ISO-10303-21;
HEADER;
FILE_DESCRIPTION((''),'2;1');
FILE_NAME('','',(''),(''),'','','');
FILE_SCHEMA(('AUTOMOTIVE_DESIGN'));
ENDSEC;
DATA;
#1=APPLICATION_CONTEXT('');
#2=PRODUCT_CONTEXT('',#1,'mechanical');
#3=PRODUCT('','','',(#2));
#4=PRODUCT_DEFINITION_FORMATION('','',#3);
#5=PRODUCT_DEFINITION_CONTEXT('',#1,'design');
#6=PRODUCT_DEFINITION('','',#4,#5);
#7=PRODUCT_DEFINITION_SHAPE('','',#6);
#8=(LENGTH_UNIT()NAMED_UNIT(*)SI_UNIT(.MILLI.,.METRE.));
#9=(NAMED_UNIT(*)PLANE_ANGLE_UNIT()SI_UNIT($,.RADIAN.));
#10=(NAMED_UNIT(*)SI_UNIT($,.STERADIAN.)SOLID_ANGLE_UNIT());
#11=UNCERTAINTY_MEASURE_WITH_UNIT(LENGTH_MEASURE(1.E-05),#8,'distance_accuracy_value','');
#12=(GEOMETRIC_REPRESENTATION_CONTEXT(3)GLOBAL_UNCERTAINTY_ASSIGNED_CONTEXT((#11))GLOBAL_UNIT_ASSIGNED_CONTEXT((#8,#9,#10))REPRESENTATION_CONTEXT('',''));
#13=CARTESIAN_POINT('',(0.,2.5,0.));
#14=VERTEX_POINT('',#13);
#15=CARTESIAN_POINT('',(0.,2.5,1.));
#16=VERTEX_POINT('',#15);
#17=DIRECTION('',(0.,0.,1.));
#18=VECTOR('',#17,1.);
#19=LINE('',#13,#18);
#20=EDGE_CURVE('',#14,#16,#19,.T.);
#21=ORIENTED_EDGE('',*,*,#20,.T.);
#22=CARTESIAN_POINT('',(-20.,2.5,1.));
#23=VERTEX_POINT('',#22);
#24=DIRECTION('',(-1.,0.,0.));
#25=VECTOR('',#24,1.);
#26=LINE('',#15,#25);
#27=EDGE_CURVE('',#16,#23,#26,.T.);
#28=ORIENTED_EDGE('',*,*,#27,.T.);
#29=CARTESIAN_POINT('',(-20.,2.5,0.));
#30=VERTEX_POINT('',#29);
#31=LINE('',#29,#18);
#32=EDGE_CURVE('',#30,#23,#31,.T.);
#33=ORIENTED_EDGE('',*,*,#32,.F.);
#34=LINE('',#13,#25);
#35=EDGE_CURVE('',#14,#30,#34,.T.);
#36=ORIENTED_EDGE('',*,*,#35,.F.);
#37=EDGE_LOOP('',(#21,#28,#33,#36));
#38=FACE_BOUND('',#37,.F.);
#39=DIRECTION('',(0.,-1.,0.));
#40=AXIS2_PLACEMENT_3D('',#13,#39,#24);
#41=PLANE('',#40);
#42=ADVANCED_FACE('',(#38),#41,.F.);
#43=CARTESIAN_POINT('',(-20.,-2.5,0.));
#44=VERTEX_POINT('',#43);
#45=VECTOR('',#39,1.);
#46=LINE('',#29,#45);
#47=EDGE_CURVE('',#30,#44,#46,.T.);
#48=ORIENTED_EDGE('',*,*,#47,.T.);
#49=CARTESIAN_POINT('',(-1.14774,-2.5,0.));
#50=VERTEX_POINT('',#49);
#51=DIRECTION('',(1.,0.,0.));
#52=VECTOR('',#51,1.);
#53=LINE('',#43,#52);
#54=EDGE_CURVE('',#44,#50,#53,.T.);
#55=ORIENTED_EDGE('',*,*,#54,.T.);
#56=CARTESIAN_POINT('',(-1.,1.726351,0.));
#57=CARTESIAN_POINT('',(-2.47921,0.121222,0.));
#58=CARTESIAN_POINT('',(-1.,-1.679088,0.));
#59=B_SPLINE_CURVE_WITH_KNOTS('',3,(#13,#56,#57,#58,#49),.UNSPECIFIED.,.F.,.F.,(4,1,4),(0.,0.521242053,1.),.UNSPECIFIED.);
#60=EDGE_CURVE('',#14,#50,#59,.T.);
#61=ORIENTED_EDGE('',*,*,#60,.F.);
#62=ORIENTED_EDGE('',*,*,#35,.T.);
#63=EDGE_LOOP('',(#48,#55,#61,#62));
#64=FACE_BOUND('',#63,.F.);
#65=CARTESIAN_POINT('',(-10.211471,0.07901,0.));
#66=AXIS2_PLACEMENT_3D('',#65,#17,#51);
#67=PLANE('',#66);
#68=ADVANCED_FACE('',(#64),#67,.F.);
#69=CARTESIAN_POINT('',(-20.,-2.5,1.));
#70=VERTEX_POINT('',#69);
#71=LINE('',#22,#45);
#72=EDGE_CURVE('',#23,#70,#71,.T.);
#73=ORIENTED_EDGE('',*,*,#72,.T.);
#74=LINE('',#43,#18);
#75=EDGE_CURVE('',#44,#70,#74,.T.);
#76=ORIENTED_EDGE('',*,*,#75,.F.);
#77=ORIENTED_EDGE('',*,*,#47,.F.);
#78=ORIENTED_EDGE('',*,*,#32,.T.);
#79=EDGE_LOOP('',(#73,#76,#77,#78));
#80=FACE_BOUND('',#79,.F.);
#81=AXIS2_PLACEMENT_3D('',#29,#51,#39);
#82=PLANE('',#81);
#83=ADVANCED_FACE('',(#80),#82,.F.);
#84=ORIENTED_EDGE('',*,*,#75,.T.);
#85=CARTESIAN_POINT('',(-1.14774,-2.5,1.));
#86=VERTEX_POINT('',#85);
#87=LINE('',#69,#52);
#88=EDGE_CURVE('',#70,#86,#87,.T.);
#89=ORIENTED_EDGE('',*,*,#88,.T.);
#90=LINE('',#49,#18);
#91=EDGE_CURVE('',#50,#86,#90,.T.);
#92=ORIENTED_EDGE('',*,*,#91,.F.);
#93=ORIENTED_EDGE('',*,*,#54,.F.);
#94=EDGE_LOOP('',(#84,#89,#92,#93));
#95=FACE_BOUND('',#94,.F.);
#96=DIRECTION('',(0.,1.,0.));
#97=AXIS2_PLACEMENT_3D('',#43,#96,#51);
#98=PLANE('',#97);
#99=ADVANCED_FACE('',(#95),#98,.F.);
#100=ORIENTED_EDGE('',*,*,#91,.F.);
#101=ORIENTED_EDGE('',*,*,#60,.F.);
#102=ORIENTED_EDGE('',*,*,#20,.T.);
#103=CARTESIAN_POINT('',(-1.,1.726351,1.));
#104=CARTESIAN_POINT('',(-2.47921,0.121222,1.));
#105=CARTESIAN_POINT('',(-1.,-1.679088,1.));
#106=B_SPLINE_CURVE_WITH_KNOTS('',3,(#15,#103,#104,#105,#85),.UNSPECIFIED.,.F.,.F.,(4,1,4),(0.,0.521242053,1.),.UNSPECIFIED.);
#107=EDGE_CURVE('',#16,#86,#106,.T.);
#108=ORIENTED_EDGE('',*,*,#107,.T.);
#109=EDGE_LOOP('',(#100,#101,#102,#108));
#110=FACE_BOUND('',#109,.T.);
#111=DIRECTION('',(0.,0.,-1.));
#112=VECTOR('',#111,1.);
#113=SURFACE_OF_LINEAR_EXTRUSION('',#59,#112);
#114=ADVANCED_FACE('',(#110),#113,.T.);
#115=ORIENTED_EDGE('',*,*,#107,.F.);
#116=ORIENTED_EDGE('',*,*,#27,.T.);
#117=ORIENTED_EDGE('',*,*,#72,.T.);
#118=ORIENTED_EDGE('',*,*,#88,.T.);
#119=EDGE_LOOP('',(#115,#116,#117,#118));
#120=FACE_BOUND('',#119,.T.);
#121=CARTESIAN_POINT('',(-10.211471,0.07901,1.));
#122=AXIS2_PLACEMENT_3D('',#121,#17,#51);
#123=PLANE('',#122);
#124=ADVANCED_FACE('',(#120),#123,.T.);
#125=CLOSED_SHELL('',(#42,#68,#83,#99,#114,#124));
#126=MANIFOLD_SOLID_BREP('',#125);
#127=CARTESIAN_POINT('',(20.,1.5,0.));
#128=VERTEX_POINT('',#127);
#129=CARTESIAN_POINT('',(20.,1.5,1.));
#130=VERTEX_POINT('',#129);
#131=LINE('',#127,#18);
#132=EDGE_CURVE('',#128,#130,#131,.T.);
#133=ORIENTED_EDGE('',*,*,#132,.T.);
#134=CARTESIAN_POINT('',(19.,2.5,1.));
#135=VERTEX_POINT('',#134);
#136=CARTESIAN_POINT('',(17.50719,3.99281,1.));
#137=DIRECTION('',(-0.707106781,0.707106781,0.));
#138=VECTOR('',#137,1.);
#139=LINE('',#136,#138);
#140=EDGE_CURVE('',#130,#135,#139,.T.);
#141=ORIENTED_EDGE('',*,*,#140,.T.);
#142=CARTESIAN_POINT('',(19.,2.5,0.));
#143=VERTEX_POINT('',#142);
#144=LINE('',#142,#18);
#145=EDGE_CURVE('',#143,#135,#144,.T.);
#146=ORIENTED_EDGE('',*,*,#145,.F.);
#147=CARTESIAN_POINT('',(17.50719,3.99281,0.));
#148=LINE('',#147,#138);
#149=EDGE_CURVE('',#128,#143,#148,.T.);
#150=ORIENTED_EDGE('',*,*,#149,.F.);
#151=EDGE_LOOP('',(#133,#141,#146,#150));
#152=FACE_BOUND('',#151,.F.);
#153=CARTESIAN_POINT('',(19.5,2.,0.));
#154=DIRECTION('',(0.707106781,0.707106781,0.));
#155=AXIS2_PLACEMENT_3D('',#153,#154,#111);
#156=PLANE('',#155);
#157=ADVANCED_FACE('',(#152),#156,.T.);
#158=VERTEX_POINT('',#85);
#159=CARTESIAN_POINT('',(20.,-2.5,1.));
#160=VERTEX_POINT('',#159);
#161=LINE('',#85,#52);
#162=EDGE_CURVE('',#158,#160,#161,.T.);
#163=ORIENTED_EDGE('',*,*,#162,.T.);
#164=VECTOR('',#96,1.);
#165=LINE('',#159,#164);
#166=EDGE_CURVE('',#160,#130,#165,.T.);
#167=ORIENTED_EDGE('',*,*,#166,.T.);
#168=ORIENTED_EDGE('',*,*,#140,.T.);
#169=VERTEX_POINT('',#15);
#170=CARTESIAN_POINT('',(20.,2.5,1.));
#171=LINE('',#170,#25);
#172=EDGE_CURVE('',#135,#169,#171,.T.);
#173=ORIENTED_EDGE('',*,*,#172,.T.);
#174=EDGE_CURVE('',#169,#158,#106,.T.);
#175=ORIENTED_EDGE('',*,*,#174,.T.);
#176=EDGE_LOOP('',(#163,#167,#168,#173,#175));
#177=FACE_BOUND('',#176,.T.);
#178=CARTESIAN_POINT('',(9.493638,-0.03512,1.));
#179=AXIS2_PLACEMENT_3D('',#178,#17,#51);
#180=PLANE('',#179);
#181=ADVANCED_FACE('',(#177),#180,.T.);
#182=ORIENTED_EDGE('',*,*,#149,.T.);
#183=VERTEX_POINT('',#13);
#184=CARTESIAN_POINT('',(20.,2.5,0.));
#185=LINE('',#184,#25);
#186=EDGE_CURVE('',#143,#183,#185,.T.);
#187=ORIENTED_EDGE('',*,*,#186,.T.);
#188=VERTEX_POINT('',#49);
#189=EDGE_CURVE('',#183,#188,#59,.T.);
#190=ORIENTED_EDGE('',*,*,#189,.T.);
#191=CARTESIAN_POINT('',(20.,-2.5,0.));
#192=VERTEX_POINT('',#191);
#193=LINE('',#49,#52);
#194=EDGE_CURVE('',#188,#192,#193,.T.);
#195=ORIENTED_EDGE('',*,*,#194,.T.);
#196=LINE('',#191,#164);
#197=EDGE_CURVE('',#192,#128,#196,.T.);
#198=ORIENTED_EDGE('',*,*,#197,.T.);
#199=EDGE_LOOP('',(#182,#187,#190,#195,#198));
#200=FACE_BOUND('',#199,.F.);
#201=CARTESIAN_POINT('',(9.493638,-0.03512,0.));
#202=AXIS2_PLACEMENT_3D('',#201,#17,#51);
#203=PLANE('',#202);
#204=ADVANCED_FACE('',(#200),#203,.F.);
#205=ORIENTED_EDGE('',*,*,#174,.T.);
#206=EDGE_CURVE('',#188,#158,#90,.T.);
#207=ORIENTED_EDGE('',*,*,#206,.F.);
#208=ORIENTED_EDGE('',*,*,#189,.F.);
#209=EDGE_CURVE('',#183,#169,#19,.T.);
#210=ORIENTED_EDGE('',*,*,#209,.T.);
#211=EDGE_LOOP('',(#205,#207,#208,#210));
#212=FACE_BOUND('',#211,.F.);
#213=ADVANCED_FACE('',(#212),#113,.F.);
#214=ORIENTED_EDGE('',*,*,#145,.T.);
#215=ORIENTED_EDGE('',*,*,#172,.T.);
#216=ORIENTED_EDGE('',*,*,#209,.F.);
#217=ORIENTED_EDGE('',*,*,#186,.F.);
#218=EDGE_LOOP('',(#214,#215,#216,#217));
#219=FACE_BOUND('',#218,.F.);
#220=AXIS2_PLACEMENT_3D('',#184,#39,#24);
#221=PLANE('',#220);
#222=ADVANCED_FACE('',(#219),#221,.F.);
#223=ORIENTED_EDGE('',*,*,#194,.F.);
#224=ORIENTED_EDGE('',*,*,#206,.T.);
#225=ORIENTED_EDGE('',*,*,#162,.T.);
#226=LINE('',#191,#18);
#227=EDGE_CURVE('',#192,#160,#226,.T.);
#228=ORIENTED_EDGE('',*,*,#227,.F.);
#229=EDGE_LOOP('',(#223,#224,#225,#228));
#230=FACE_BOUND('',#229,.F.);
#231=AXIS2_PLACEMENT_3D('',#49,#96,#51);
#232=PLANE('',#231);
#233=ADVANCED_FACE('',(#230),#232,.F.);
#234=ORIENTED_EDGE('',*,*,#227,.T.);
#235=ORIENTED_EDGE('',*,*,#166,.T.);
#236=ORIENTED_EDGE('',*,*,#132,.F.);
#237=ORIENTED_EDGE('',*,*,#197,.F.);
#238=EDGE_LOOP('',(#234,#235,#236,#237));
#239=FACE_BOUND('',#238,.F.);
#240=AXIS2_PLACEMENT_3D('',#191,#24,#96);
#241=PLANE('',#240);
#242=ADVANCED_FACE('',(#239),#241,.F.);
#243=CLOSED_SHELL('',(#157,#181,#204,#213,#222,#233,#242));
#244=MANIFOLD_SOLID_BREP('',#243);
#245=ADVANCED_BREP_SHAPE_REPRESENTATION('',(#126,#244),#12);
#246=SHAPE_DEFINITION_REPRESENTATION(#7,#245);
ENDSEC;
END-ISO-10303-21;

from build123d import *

# Parameters (mm, degrees)
F1_DEPTH = 1
F2_DEPTH = 1
F3_SIZE  = 1


with BuildPart() as f1:
    # F0 (on Top) → F1 (new body)
    with BuildSketch(Plane.XY):
        with BuildLine():
            Line((-20, -2.5), (-1.1477398475, -2.5))
            add(Edge.make_bspline(
                [(0, 2.5), (-1, 1.7263505199), (-2.4792103177, 0.1212219451), (-1, -1.6790880909), (-1.1477398475, -2.5)],
                knots=[0, 0, 0, 0, 0.5212420535, 1, 1, 1, 1], degree=3))
            Line((0, 2.5), (-20, 2.5))
            Line((-20, 2.5), (-20, -2.5))
        make_face()
    extrude(amount=F1_DEPTH)


with BuildPart() as f2:
    # F0 (on Top) → F2 (new body)
    with BuildSketch(Plane.XY):
        with BuildLine():
            Line((-1.1477398475, -2.5), (20, -2.5))
            Line((20, -2.5), (20, 2.5))
            Line((20, 2.5), (0, 2.5))
            add(Edge.make_bspline(
                [(0, 2.5), (-1, 1.7263505199), (-2.4792103177, 0.1212219451), (-1, -1.6790880909), (-1.1477398475, -2.5)],
                knots=[0, 0, 0, 0, 0.5212420535, 1, 1, 1, 1], degree=3))
        make_face()
    extrude(amount=F2_DEPTH)

    # F3
    f3_edges = [f2.edges().sort_by_distance(p)[0] for p in [
        (20, 2.5, 0.5),
    ]]
    chamfer(f3_edges, length=F3_SIZE)


solid = Compound([f1.part, f2.part])
